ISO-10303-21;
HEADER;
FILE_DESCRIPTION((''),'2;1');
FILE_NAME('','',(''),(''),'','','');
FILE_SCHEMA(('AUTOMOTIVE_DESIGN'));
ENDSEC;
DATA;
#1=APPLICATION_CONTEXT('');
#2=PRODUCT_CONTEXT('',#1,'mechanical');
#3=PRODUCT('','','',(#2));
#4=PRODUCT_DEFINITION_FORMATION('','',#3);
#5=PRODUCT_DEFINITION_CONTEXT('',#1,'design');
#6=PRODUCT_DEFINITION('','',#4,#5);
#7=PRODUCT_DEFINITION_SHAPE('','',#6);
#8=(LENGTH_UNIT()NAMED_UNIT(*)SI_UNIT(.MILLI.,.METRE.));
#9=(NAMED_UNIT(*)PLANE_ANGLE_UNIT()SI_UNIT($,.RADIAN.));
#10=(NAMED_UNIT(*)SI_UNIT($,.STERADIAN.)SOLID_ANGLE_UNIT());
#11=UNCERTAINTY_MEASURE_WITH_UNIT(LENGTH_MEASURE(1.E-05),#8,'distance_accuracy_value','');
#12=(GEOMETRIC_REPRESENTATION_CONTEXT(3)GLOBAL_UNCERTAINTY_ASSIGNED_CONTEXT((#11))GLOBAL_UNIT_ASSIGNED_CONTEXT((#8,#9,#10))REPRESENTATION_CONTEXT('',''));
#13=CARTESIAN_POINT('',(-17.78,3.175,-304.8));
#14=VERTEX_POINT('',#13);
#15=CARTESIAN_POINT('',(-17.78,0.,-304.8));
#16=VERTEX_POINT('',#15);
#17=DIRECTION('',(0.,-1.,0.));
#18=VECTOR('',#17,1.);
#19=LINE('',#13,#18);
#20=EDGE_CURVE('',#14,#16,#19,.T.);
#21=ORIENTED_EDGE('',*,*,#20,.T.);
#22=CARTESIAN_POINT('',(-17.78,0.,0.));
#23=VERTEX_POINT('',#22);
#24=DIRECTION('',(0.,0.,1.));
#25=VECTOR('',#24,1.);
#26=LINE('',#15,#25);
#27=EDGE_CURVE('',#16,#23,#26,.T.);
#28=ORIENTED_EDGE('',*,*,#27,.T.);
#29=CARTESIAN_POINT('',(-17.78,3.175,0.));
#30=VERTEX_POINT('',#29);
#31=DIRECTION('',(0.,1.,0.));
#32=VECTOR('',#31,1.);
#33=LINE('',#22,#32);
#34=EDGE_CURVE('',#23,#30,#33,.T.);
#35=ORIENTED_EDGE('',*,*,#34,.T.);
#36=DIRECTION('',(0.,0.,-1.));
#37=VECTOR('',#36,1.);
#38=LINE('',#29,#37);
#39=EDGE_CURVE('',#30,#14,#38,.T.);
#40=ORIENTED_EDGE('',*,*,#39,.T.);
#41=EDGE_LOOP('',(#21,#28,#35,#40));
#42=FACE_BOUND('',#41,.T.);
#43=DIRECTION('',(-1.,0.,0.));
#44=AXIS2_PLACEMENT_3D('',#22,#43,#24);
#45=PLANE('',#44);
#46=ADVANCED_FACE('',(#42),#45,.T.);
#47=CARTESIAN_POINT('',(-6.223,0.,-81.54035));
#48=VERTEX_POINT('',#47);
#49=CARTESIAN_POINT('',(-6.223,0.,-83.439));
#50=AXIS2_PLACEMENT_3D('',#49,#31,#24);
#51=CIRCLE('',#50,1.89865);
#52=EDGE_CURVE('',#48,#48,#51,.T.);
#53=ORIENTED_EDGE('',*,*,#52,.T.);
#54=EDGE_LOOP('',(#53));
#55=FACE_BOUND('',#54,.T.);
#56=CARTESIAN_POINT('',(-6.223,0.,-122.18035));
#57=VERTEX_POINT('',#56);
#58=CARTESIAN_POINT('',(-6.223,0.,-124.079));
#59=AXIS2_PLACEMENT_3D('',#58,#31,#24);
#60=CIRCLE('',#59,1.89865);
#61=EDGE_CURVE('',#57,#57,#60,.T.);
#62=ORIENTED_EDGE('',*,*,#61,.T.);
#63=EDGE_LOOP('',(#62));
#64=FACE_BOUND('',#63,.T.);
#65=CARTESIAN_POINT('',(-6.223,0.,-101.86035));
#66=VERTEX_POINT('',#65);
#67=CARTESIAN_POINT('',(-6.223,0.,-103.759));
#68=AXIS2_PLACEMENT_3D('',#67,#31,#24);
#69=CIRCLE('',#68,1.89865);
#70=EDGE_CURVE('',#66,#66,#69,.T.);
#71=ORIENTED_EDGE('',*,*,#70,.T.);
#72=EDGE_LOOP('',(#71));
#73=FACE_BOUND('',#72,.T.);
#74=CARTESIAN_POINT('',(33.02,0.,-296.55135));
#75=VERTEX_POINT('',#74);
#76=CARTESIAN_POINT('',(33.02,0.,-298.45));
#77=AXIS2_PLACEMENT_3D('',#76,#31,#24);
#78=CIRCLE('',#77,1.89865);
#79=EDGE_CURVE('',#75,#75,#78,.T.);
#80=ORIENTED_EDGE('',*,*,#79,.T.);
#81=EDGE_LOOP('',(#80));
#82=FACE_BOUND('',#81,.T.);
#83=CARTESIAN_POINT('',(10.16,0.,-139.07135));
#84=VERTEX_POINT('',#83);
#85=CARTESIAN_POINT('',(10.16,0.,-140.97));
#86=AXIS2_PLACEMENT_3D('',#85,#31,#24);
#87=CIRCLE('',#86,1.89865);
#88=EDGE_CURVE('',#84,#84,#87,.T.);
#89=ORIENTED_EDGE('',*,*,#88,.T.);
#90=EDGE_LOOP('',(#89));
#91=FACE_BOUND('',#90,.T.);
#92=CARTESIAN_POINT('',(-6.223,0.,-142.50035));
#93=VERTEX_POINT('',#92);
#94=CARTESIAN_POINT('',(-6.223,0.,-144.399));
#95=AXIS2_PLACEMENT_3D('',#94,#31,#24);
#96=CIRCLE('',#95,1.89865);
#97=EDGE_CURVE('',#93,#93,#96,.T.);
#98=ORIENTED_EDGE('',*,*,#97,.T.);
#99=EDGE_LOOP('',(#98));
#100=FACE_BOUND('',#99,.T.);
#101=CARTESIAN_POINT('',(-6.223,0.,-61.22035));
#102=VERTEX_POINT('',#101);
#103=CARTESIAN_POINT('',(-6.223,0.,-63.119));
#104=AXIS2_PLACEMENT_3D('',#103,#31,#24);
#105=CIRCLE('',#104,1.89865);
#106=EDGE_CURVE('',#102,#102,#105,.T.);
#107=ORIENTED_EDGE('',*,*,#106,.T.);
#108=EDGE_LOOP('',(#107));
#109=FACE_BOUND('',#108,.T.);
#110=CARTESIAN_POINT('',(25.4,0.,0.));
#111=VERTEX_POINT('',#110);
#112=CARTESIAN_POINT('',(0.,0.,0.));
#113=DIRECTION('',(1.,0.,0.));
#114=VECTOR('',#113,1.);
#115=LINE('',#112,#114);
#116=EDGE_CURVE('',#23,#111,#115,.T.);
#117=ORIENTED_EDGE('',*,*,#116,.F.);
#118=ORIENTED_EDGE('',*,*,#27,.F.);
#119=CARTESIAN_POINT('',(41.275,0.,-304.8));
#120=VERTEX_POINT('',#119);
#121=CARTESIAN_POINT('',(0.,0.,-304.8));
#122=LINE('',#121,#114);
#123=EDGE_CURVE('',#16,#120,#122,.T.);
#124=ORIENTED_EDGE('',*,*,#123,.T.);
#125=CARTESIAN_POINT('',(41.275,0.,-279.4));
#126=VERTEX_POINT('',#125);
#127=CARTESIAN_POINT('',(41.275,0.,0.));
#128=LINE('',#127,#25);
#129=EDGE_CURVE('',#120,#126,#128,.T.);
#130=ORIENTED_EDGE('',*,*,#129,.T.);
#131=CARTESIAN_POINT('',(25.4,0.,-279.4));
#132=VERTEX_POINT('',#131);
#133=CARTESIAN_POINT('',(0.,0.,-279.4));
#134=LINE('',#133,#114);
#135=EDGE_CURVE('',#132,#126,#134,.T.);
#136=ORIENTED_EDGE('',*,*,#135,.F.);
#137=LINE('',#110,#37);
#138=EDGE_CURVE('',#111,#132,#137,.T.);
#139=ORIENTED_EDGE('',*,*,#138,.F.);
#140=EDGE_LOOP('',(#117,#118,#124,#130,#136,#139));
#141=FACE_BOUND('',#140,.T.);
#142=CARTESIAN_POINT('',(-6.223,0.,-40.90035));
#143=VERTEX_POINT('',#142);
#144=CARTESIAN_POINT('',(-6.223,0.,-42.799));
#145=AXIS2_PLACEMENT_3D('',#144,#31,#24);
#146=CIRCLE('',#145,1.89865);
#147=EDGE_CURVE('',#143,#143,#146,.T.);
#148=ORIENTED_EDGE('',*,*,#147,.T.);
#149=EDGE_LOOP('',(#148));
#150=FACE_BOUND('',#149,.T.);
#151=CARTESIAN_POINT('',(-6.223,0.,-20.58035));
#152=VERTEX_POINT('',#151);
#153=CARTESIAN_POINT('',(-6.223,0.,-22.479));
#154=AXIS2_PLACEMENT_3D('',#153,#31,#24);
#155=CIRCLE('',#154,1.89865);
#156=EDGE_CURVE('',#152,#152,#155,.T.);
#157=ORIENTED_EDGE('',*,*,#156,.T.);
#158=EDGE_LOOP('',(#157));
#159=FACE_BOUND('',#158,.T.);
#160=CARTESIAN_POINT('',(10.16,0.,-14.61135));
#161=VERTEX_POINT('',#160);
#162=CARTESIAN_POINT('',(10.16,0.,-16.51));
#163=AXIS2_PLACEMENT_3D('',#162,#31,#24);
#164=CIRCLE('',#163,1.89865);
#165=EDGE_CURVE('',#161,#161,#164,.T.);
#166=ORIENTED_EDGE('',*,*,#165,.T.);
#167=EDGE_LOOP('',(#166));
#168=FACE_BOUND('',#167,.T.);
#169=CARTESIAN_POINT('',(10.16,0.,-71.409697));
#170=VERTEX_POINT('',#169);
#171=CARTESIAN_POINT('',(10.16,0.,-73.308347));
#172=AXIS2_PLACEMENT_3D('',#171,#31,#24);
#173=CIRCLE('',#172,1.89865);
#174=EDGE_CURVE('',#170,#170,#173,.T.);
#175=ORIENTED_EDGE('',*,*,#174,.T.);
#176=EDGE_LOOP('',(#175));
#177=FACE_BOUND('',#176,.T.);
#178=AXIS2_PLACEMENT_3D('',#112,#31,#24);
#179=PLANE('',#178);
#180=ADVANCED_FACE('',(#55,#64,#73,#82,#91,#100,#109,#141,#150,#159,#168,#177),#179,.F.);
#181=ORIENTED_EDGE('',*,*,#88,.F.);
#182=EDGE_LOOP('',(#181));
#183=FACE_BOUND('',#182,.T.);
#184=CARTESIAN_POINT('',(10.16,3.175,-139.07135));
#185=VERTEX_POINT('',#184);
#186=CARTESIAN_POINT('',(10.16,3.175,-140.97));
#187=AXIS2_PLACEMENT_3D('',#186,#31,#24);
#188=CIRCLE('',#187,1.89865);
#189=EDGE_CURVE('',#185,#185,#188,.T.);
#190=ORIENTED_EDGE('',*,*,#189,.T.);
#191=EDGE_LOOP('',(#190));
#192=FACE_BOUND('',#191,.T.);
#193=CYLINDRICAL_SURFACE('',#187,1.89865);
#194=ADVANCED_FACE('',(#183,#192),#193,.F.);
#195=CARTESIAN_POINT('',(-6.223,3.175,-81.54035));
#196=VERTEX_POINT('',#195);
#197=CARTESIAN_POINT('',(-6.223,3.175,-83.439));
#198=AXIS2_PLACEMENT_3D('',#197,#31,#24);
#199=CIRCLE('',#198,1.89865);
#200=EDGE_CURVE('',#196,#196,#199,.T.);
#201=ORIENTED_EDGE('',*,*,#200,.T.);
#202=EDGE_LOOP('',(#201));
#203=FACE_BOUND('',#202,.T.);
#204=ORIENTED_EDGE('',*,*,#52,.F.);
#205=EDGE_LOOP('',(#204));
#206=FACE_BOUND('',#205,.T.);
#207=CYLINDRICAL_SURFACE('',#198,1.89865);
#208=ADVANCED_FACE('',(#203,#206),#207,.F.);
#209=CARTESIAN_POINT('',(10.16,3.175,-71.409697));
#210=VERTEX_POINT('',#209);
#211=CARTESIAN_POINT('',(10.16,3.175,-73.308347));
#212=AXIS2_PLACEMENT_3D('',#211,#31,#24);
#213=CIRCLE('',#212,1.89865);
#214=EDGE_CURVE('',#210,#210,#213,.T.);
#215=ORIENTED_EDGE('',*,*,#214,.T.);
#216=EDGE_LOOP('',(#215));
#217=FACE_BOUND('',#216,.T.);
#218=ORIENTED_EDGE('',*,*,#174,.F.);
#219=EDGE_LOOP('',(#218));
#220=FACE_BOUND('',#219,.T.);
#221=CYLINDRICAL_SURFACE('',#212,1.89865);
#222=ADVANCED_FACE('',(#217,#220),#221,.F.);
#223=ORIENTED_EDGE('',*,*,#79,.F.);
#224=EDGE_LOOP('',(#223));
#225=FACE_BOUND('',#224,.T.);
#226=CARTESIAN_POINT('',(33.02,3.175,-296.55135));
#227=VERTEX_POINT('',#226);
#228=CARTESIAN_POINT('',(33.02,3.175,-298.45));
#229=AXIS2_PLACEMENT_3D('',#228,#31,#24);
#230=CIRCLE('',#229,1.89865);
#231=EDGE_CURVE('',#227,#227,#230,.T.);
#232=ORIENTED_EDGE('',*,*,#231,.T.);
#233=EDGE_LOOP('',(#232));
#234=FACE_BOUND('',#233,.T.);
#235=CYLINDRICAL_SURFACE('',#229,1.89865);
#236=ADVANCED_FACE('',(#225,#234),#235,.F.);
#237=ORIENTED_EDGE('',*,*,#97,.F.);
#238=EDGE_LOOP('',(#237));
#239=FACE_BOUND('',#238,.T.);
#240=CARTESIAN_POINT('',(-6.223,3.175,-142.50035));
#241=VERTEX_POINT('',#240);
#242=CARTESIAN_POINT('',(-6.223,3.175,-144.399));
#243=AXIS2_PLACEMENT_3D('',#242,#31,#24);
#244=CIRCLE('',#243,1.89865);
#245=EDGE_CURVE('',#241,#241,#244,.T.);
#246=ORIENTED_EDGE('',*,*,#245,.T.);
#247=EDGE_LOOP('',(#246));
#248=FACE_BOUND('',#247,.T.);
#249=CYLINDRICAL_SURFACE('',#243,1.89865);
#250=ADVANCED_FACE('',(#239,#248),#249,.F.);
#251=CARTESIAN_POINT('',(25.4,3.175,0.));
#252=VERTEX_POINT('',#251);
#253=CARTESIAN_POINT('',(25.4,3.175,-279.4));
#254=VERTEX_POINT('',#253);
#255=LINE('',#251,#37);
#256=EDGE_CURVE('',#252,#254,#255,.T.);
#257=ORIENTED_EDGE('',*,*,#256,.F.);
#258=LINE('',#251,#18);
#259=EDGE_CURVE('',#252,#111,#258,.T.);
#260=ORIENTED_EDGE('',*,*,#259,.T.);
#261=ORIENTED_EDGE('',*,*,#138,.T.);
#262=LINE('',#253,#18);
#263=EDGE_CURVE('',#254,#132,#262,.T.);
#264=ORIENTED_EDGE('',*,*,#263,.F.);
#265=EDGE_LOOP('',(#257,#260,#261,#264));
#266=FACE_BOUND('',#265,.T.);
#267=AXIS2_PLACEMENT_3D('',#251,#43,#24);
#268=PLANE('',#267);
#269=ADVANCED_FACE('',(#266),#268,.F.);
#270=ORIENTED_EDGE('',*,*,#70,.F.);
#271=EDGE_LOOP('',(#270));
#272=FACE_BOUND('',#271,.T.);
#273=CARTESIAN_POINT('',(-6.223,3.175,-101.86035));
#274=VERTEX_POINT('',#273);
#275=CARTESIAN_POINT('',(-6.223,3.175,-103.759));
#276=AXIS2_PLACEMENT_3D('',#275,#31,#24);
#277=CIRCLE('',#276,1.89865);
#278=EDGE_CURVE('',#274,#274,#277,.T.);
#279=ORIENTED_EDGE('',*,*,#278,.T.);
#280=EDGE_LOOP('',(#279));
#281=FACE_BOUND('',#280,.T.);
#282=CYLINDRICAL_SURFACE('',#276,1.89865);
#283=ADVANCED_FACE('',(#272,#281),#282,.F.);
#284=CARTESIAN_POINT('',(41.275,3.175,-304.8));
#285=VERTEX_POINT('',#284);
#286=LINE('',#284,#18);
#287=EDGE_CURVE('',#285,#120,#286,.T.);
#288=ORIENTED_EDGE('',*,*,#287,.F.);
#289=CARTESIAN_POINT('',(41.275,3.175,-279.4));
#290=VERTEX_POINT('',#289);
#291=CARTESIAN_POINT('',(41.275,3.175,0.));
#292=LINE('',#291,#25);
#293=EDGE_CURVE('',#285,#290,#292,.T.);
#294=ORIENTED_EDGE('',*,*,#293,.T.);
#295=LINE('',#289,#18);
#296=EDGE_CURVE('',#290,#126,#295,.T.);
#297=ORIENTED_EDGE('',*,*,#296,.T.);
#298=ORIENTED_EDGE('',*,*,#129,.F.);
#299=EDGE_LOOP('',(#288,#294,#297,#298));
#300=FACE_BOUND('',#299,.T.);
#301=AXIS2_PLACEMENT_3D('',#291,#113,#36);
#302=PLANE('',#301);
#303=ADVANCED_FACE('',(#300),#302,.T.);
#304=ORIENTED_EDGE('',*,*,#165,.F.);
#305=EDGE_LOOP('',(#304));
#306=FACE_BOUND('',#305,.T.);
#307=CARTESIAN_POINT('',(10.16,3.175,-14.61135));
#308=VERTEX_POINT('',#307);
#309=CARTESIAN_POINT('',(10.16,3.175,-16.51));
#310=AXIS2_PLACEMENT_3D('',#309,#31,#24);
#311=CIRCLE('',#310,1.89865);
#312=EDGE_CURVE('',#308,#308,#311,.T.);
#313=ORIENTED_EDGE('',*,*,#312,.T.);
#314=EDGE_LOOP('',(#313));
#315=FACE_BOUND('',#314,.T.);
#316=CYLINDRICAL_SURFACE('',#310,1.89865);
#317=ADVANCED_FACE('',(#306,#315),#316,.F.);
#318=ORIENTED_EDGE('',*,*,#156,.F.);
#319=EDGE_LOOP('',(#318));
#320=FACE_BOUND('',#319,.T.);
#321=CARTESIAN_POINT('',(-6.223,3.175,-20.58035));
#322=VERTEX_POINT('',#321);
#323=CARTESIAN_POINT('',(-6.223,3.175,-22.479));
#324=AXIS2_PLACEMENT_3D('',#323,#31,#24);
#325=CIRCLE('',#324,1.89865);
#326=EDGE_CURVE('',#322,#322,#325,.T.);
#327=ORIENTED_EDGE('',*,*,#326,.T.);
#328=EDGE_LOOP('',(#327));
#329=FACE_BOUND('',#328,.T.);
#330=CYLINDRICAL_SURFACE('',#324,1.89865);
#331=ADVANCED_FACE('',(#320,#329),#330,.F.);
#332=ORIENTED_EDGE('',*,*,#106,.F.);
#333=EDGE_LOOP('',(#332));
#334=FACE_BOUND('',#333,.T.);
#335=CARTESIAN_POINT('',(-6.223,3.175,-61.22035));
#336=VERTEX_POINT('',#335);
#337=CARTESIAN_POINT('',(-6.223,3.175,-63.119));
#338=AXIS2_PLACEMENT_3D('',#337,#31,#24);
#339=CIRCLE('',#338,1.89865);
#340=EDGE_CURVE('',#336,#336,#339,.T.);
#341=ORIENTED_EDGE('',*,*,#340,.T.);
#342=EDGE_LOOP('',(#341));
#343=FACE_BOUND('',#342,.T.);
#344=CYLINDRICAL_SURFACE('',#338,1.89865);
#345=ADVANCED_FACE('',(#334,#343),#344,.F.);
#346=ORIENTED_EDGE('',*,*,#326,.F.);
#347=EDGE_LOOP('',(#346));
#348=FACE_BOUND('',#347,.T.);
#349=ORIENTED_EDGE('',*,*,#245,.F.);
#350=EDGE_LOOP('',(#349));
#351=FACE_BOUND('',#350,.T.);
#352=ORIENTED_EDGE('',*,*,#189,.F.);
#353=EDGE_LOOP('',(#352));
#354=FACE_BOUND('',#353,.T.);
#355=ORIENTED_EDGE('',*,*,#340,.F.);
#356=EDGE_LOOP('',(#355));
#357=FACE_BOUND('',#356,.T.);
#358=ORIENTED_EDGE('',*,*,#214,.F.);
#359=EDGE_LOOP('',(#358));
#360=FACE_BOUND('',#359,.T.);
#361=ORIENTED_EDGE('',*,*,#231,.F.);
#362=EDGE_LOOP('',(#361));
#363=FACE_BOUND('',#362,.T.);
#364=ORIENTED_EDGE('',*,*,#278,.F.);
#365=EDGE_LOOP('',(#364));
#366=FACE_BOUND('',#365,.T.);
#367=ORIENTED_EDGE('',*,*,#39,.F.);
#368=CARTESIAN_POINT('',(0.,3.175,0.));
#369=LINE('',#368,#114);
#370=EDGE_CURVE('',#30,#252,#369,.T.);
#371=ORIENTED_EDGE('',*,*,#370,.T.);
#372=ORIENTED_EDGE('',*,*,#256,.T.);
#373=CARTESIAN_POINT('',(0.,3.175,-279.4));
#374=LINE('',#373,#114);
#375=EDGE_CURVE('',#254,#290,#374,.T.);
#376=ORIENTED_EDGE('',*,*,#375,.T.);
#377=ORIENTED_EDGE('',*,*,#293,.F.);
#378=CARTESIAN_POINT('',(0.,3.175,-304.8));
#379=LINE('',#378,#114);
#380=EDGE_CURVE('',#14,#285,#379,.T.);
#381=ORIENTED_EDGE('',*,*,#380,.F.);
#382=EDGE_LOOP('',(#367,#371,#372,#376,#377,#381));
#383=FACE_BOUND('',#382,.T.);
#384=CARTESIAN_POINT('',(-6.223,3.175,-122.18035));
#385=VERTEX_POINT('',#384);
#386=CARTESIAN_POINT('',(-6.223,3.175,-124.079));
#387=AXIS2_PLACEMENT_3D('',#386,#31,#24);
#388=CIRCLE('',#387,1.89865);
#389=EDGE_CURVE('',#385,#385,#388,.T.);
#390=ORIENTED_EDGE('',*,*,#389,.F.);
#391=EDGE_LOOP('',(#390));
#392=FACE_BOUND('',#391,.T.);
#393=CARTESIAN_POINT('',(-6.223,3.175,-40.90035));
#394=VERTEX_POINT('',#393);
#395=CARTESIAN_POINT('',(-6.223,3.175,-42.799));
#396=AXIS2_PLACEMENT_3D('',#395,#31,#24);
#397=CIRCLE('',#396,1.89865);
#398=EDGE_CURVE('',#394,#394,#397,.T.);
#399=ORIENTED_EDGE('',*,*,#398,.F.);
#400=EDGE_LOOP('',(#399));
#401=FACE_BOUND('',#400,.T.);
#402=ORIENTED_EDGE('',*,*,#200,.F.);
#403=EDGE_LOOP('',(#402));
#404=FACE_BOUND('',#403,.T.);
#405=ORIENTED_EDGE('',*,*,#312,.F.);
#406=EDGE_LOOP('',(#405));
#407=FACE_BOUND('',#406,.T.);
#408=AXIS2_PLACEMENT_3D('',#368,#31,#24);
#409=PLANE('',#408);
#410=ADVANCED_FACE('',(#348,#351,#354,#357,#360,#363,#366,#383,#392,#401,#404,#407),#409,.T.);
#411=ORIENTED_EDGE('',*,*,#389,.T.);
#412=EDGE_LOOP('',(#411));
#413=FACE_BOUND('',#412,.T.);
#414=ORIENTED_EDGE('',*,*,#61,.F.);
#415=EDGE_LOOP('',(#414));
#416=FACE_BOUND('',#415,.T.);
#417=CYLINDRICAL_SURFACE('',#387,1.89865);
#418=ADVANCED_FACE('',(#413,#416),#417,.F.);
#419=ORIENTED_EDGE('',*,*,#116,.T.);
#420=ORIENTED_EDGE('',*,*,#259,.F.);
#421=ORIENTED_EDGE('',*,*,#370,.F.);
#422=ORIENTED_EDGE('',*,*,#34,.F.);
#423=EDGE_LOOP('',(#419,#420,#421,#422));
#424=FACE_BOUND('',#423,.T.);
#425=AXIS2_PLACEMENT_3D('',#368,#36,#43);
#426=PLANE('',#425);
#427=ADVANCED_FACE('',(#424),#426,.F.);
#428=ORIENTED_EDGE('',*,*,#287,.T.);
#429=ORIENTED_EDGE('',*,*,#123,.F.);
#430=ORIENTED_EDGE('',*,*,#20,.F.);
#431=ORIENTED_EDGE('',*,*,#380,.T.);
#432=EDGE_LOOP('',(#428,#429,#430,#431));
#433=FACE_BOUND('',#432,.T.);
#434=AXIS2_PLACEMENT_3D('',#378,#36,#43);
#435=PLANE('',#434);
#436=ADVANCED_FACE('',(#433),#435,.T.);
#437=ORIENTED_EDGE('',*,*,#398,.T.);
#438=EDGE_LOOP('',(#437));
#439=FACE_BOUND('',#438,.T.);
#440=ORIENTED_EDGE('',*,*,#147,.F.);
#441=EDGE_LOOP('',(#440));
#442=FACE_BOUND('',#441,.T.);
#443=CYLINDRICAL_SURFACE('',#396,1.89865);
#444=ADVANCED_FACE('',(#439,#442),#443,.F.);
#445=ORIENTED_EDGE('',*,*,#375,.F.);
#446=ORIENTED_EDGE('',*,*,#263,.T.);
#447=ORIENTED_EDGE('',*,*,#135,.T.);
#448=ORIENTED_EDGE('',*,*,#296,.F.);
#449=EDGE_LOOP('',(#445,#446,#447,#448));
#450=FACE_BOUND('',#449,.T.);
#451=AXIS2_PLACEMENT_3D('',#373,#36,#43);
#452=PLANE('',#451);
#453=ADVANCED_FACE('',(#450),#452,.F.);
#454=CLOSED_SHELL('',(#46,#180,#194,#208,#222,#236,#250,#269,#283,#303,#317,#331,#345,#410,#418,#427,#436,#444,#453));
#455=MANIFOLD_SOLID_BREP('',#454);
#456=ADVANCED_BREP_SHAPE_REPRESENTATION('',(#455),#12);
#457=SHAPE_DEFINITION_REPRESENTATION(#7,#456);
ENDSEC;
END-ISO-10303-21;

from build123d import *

# Parameters (mm, degrees)
SKETCH1_W                    = 25.4
SKETCH1_H                    = 25.4
SKETCH1_W_2                  = 15.875
SKETCH1_H_2                  = 279.4
BOSS_EXTRUDE1_DEPTH          = 3.175
F_25_0_1495_DIAMETER_HOLE2_D = 3.7973
SKETCH4_W                    = 304.8
SKETCH4_H                    = 3.175
BOSS_EXTRUDE2_DEPTH          = 17.78
SKETCH5_R                    = 0.127
CUT_EXTRUDE1_DEPTH           = 4.175
F_25_0_1495_DIAMETER_HOLE1_D = 3.7973


with BuildPart() as part:
    # Sketch1 → Boss-Extrude1 (new body)
    with BuildSketch(Plane(origin=(0, 0, 0), x_dir=(1, 0, 0), z_dir=(0, 1, 0))):
        with Locations((12.7, 292.1)):
            Rectangle(SKETCH1_W, SKETCH1_H)
        with Locations((33.3375, 292.1)):
            Rectangle(SKETCH1_W_2, SKETCH1_H)
        with Locations((12.7, 139.7)):
            Rectangle(SKETCH1_W, SKETCH1_H_2)
    extrude(amount=BOSS_EXTRUDE1_DEPTH)

    # #25 (0.1495) Diameter Hole2 (through all)
    with Locations(Plane(origin=(0, 3.175, 0), x_dir=(1, 0, 0), z_dir=(0, 1, 0))):
        with Locations((10.16, 16.51), (10.16, 73.308346978), (10.16, 140.97), (33.02, 298.45)):
            Hole(F_25_0_1495_DIAMETER_HOLE2_D / 2)

    # Sketch4 → Boss-Extrude2 (add)
    with BuildSketch(Plane.ZY):
        with Locations((-152.4, 1.5875)):
            Rectangle(SKETCH4_W, SKETCH4_H)
    extrude(amount=BOSS_EXTRUDE2_DEPTH)

    # Sketch5 → Cut-Extrude1 (cut, through all)
    with BuildSketch(Plane(origin=(0, 3.175, 0), x_dir=(1, 0, 0), z_dir=(0, 1, 0))):
        with Locations((-6.223, 42.799)):
            Circle(SKETCH5_R)
        with Locations((-6.223, 22.479)):
            Circle(SKETCH5_R)
        with Locations((-6.223, 63.119)):
            Circle(SKETCH5_R)
        with Locations((-6.223, 83.439)):
            Circle(SKETCH5_R)
        with Locations((-6.223, 103.759)):
            Circle(SKETCH5_R)
        with Locations((-6.223, 124.079)):
            Circle(SKETCH5_R)
        with Locations((-6.223, 144.399)):
            Circle(SKETCH5_R)
    extrude(amount=-CUT_EXTRUDE1_DEPTH, mode=Mode.SUBTRACT)

    # #25 (0.1495) Diameter Hole1 (through all)
    with Locations(Plane(origin=(0, 3.175, 0), x_dir=(1, 0, 0), z_dir=(0, 1, 0))):
        with Locations((-6.223, 42.799), (-6.223, 63.119), (-6.223, 83.439), (-6.223, 103.759), (-6.223, 124.079), (-6.223, 144.399), (-6.223, 22.479)):
            Hole(F_25_0_1495_DIAMETER_HOLE1_D / 2)


solid = part.part
